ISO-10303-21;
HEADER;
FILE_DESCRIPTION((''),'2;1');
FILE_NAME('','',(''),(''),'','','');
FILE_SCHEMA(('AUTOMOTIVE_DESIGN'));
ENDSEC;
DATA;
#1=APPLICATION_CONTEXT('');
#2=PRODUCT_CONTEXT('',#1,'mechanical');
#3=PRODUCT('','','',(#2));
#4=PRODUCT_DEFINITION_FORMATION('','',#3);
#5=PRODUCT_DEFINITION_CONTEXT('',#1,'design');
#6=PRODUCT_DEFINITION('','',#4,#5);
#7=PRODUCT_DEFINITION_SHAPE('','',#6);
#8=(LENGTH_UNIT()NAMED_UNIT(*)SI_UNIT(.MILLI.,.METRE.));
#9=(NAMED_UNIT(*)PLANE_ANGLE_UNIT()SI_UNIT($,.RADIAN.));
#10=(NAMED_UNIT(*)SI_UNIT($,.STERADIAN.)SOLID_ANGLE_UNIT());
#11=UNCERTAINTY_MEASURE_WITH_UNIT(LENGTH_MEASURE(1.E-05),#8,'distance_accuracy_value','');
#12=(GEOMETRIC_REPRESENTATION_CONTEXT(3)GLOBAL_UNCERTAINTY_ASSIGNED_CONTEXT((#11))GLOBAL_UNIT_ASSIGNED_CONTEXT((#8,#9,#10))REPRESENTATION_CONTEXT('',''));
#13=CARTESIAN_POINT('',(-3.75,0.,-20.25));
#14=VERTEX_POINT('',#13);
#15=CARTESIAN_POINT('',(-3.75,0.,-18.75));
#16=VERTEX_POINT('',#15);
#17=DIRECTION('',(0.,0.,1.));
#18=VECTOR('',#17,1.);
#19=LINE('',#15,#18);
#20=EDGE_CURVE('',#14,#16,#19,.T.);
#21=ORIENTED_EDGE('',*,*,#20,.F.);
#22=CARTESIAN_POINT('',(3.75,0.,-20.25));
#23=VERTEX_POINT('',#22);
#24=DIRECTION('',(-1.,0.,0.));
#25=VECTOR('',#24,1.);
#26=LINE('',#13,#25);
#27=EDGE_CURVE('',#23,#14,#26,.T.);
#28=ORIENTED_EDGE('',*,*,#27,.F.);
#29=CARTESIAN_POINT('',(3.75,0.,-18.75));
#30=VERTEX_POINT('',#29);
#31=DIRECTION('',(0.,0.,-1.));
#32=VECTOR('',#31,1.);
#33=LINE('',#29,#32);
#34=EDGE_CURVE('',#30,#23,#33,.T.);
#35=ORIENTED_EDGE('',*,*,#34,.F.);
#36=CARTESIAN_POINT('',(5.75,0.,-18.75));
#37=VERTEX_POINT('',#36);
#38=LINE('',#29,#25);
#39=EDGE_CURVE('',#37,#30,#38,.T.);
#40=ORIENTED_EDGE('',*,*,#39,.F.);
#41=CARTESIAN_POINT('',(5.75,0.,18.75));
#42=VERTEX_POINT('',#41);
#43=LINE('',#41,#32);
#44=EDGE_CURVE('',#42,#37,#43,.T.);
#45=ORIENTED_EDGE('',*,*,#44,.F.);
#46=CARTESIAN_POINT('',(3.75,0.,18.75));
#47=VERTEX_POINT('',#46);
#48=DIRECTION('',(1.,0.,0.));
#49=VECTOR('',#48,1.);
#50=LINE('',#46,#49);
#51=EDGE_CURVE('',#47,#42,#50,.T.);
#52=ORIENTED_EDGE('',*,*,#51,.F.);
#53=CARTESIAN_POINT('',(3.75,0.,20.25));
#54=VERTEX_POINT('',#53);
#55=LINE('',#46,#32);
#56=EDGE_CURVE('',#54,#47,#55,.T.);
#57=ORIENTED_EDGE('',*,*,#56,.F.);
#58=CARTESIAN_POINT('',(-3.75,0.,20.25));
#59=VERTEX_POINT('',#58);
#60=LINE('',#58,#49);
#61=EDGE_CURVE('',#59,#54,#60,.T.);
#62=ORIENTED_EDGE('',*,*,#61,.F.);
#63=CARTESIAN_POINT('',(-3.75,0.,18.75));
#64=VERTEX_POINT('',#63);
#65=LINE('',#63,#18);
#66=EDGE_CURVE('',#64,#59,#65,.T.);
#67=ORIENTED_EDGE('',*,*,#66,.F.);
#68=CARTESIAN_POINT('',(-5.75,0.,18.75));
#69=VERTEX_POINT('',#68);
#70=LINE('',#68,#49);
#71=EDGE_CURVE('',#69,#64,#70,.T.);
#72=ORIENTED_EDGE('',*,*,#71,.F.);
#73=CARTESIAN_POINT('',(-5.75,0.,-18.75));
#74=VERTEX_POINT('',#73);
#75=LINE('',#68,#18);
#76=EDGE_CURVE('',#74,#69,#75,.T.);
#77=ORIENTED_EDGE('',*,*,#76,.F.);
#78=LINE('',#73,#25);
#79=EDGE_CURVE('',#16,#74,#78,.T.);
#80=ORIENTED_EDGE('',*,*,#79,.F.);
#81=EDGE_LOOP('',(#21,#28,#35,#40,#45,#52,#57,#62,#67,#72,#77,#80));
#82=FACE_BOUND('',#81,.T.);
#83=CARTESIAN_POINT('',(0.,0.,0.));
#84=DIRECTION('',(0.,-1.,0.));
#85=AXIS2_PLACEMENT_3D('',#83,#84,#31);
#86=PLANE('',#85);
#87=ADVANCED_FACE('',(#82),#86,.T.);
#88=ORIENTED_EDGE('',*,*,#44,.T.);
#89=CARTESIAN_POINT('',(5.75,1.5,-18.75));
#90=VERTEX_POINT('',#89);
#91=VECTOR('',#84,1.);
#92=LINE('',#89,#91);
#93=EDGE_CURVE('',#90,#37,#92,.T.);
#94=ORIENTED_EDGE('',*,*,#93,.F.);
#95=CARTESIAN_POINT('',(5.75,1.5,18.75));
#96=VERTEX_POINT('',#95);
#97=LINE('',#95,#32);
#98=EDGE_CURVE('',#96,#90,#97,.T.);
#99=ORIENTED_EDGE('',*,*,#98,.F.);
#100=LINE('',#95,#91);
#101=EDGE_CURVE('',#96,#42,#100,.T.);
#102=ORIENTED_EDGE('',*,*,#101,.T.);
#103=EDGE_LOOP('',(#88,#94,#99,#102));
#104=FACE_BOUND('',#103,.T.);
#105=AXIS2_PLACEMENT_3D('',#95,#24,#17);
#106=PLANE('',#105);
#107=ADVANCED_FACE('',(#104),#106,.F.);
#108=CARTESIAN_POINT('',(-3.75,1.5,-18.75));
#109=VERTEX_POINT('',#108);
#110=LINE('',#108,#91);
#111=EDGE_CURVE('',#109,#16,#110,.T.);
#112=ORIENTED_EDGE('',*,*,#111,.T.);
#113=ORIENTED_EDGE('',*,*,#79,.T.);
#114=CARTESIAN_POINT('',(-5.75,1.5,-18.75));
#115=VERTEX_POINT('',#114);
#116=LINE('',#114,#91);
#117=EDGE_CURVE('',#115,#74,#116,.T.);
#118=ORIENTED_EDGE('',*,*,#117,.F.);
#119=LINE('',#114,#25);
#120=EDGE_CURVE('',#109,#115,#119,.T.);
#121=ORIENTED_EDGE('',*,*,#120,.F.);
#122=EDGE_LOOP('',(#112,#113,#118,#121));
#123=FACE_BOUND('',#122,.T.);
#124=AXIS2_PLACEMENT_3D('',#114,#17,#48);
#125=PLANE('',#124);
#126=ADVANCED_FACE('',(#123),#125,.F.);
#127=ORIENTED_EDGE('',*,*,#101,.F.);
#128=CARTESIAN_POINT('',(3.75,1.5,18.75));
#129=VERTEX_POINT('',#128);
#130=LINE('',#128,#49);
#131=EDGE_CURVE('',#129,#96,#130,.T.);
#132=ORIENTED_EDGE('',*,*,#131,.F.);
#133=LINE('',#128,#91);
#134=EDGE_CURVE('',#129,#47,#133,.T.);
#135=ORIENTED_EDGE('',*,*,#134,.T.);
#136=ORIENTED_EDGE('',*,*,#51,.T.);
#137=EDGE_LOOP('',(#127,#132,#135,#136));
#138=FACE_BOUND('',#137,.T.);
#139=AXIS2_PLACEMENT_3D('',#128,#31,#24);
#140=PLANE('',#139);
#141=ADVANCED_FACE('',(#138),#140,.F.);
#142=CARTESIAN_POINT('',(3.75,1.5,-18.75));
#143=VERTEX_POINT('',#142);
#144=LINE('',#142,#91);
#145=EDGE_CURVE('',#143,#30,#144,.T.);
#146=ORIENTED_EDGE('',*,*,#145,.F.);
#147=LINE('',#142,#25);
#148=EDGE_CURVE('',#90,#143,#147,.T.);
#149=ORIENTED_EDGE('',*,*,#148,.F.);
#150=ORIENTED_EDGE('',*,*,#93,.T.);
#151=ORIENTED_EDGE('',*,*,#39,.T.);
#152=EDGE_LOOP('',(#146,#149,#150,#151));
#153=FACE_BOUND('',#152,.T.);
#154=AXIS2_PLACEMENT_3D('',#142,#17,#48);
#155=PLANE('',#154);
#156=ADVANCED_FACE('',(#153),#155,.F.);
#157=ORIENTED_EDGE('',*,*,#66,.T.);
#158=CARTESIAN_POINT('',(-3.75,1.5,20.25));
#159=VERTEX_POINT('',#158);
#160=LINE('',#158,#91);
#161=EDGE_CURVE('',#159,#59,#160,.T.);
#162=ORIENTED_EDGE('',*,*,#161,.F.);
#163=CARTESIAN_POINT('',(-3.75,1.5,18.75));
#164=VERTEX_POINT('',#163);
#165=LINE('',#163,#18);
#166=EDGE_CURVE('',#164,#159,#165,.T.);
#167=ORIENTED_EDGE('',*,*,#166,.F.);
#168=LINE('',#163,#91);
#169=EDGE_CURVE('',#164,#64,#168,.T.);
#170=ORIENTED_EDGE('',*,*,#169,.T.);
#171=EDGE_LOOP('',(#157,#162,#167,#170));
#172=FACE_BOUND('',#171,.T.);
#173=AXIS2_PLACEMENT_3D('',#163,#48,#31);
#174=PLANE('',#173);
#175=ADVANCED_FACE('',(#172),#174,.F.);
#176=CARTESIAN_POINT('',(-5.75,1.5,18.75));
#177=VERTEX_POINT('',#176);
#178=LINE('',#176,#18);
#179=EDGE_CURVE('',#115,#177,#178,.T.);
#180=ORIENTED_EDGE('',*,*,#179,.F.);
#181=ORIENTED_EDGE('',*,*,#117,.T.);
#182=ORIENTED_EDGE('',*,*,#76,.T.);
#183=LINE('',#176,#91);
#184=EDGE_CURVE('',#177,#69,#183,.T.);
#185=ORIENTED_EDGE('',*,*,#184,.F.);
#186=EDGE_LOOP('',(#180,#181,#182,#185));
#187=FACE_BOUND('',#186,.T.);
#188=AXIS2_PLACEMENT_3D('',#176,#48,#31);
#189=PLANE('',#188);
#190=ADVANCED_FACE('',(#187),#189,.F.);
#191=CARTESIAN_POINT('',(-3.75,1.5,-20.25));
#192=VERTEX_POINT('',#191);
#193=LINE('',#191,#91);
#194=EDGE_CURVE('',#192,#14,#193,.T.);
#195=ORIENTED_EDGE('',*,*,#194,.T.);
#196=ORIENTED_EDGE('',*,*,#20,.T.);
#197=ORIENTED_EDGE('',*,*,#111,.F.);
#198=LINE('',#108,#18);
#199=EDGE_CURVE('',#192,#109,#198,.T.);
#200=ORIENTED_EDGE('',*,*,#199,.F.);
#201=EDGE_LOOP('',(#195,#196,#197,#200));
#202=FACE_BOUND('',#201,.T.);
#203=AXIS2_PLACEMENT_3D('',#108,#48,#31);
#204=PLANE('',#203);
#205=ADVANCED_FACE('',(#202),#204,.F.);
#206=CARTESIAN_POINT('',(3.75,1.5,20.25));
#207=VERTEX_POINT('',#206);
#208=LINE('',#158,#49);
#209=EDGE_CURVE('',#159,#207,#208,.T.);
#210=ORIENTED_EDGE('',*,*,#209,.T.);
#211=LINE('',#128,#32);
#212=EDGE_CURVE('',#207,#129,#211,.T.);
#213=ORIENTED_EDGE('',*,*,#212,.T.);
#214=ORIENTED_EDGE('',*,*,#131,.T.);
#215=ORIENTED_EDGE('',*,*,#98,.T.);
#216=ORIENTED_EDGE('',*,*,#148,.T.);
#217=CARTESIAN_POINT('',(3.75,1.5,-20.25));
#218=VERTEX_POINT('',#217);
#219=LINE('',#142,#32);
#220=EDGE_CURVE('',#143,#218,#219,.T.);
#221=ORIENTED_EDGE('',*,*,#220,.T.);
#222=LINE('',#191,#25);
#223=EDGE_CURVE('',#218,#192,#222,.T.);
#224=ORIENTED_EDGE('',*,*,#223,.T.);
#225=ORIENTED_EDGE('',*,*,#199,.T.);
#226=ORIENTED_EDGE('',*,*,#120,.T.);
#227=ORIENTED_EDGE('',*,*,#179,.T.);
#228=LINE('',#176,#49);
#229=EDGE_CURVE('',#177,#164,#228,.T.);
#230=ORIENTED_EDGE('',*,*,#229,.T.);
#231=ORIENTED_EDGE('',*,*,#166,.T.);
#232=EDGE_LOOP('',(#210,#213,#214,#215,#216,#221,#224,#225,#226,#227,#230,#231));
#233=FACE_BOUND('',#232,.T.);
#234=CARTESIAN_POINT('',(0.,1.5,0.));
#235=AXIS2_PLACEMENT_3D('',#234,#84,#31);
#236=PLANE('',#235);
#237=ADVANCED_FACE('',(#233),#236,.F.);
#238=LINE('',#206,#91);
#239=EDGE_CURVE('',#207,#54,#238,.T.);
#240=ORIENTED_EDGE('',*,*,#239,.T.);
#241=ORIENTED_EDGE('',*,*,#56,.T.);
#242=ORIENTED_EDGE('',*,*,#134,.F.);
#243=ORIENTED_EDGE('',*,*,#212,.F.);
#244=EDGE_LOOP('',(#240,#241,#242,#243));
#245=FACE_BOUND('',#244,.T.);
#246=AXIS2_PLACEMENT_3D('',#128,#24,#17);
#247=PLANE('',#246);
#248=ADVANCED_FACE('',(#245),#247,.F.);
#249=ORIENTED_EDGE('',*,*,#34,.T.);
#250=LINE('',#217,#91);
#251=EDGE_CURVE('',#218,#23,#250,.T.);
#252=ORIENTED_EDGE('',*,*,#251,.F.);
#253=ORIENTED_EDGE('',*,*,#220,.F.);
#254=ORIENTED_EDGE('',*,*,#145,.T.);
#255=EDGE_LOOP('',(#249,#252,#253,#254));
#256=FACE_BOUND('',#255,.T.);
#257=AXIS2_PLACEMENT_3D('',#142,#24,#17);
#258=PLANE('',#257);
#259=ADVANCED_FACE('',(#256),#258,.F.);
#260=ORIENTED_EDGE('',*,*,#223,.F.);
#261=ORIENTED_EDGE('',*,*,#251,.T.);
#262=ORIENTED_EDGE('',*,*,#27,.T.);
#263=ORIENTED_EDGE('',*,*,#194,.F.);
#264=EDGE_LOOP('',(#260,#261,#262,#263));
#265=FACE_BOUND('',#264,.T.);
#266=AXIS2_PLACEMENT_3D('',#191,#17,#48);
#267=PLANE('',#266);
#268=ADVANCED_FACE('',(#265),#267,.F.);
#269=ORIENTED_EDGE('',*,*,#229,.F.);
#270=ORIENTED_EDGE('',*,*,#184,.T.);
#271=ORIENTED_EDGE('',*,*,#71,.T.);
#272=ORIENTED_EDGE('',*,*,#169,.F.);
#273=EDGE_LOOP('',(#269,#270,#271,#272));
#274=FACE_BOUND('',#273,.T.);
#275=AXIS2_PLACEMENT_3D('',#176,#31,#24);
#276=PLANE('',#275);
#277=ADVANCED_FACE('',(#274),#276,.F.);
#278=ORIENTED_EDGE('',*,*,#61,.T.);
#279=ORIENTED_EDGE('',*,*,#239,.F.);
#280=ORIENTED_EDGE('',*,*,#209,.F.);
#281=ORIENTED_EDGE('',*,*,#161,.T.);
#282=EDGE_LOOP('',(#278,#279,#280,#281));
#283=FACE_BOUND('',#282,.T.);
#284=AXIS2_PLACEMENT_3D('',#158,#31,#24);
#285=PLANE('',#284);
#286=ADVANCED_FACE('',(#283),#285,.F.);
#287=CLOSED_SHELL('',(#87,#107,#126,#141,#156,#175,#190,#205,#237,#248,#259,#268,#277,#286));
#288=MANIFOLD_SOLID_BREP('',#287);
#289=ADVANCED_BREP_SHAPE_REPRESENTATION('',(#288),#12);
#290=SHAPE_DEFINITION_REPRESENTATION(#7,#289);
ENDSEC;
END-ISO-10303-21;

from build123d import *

# Parameters (mm, degrees)
BOSS_EXTRUDE1_DEPTH = 1.5


with BuildPart() as part:
    # Sketch1 → Boss-Extrude1 (new body)
    with BuildSketch(Plane(origin=(0, 0, 0), x_dir=(1, 0, 0), z_dir=(0, 1, 0))):
        Polygon((3.75, 18.75), (5.75, 18.75), (5.75, -18.75), (3.75, -18.75), (3.75, -20.25), (-3.75, -20.25), (-3.75, -18.75), (-5.75, -18.75), (-5.75, 18.75), (-3.75, 18.75), (-3.75, 20.25), (3.75, 20.25), align=None)
    extrude(amount=BOSS_EXTRUDE1_DEPTH)


solid = part.part
